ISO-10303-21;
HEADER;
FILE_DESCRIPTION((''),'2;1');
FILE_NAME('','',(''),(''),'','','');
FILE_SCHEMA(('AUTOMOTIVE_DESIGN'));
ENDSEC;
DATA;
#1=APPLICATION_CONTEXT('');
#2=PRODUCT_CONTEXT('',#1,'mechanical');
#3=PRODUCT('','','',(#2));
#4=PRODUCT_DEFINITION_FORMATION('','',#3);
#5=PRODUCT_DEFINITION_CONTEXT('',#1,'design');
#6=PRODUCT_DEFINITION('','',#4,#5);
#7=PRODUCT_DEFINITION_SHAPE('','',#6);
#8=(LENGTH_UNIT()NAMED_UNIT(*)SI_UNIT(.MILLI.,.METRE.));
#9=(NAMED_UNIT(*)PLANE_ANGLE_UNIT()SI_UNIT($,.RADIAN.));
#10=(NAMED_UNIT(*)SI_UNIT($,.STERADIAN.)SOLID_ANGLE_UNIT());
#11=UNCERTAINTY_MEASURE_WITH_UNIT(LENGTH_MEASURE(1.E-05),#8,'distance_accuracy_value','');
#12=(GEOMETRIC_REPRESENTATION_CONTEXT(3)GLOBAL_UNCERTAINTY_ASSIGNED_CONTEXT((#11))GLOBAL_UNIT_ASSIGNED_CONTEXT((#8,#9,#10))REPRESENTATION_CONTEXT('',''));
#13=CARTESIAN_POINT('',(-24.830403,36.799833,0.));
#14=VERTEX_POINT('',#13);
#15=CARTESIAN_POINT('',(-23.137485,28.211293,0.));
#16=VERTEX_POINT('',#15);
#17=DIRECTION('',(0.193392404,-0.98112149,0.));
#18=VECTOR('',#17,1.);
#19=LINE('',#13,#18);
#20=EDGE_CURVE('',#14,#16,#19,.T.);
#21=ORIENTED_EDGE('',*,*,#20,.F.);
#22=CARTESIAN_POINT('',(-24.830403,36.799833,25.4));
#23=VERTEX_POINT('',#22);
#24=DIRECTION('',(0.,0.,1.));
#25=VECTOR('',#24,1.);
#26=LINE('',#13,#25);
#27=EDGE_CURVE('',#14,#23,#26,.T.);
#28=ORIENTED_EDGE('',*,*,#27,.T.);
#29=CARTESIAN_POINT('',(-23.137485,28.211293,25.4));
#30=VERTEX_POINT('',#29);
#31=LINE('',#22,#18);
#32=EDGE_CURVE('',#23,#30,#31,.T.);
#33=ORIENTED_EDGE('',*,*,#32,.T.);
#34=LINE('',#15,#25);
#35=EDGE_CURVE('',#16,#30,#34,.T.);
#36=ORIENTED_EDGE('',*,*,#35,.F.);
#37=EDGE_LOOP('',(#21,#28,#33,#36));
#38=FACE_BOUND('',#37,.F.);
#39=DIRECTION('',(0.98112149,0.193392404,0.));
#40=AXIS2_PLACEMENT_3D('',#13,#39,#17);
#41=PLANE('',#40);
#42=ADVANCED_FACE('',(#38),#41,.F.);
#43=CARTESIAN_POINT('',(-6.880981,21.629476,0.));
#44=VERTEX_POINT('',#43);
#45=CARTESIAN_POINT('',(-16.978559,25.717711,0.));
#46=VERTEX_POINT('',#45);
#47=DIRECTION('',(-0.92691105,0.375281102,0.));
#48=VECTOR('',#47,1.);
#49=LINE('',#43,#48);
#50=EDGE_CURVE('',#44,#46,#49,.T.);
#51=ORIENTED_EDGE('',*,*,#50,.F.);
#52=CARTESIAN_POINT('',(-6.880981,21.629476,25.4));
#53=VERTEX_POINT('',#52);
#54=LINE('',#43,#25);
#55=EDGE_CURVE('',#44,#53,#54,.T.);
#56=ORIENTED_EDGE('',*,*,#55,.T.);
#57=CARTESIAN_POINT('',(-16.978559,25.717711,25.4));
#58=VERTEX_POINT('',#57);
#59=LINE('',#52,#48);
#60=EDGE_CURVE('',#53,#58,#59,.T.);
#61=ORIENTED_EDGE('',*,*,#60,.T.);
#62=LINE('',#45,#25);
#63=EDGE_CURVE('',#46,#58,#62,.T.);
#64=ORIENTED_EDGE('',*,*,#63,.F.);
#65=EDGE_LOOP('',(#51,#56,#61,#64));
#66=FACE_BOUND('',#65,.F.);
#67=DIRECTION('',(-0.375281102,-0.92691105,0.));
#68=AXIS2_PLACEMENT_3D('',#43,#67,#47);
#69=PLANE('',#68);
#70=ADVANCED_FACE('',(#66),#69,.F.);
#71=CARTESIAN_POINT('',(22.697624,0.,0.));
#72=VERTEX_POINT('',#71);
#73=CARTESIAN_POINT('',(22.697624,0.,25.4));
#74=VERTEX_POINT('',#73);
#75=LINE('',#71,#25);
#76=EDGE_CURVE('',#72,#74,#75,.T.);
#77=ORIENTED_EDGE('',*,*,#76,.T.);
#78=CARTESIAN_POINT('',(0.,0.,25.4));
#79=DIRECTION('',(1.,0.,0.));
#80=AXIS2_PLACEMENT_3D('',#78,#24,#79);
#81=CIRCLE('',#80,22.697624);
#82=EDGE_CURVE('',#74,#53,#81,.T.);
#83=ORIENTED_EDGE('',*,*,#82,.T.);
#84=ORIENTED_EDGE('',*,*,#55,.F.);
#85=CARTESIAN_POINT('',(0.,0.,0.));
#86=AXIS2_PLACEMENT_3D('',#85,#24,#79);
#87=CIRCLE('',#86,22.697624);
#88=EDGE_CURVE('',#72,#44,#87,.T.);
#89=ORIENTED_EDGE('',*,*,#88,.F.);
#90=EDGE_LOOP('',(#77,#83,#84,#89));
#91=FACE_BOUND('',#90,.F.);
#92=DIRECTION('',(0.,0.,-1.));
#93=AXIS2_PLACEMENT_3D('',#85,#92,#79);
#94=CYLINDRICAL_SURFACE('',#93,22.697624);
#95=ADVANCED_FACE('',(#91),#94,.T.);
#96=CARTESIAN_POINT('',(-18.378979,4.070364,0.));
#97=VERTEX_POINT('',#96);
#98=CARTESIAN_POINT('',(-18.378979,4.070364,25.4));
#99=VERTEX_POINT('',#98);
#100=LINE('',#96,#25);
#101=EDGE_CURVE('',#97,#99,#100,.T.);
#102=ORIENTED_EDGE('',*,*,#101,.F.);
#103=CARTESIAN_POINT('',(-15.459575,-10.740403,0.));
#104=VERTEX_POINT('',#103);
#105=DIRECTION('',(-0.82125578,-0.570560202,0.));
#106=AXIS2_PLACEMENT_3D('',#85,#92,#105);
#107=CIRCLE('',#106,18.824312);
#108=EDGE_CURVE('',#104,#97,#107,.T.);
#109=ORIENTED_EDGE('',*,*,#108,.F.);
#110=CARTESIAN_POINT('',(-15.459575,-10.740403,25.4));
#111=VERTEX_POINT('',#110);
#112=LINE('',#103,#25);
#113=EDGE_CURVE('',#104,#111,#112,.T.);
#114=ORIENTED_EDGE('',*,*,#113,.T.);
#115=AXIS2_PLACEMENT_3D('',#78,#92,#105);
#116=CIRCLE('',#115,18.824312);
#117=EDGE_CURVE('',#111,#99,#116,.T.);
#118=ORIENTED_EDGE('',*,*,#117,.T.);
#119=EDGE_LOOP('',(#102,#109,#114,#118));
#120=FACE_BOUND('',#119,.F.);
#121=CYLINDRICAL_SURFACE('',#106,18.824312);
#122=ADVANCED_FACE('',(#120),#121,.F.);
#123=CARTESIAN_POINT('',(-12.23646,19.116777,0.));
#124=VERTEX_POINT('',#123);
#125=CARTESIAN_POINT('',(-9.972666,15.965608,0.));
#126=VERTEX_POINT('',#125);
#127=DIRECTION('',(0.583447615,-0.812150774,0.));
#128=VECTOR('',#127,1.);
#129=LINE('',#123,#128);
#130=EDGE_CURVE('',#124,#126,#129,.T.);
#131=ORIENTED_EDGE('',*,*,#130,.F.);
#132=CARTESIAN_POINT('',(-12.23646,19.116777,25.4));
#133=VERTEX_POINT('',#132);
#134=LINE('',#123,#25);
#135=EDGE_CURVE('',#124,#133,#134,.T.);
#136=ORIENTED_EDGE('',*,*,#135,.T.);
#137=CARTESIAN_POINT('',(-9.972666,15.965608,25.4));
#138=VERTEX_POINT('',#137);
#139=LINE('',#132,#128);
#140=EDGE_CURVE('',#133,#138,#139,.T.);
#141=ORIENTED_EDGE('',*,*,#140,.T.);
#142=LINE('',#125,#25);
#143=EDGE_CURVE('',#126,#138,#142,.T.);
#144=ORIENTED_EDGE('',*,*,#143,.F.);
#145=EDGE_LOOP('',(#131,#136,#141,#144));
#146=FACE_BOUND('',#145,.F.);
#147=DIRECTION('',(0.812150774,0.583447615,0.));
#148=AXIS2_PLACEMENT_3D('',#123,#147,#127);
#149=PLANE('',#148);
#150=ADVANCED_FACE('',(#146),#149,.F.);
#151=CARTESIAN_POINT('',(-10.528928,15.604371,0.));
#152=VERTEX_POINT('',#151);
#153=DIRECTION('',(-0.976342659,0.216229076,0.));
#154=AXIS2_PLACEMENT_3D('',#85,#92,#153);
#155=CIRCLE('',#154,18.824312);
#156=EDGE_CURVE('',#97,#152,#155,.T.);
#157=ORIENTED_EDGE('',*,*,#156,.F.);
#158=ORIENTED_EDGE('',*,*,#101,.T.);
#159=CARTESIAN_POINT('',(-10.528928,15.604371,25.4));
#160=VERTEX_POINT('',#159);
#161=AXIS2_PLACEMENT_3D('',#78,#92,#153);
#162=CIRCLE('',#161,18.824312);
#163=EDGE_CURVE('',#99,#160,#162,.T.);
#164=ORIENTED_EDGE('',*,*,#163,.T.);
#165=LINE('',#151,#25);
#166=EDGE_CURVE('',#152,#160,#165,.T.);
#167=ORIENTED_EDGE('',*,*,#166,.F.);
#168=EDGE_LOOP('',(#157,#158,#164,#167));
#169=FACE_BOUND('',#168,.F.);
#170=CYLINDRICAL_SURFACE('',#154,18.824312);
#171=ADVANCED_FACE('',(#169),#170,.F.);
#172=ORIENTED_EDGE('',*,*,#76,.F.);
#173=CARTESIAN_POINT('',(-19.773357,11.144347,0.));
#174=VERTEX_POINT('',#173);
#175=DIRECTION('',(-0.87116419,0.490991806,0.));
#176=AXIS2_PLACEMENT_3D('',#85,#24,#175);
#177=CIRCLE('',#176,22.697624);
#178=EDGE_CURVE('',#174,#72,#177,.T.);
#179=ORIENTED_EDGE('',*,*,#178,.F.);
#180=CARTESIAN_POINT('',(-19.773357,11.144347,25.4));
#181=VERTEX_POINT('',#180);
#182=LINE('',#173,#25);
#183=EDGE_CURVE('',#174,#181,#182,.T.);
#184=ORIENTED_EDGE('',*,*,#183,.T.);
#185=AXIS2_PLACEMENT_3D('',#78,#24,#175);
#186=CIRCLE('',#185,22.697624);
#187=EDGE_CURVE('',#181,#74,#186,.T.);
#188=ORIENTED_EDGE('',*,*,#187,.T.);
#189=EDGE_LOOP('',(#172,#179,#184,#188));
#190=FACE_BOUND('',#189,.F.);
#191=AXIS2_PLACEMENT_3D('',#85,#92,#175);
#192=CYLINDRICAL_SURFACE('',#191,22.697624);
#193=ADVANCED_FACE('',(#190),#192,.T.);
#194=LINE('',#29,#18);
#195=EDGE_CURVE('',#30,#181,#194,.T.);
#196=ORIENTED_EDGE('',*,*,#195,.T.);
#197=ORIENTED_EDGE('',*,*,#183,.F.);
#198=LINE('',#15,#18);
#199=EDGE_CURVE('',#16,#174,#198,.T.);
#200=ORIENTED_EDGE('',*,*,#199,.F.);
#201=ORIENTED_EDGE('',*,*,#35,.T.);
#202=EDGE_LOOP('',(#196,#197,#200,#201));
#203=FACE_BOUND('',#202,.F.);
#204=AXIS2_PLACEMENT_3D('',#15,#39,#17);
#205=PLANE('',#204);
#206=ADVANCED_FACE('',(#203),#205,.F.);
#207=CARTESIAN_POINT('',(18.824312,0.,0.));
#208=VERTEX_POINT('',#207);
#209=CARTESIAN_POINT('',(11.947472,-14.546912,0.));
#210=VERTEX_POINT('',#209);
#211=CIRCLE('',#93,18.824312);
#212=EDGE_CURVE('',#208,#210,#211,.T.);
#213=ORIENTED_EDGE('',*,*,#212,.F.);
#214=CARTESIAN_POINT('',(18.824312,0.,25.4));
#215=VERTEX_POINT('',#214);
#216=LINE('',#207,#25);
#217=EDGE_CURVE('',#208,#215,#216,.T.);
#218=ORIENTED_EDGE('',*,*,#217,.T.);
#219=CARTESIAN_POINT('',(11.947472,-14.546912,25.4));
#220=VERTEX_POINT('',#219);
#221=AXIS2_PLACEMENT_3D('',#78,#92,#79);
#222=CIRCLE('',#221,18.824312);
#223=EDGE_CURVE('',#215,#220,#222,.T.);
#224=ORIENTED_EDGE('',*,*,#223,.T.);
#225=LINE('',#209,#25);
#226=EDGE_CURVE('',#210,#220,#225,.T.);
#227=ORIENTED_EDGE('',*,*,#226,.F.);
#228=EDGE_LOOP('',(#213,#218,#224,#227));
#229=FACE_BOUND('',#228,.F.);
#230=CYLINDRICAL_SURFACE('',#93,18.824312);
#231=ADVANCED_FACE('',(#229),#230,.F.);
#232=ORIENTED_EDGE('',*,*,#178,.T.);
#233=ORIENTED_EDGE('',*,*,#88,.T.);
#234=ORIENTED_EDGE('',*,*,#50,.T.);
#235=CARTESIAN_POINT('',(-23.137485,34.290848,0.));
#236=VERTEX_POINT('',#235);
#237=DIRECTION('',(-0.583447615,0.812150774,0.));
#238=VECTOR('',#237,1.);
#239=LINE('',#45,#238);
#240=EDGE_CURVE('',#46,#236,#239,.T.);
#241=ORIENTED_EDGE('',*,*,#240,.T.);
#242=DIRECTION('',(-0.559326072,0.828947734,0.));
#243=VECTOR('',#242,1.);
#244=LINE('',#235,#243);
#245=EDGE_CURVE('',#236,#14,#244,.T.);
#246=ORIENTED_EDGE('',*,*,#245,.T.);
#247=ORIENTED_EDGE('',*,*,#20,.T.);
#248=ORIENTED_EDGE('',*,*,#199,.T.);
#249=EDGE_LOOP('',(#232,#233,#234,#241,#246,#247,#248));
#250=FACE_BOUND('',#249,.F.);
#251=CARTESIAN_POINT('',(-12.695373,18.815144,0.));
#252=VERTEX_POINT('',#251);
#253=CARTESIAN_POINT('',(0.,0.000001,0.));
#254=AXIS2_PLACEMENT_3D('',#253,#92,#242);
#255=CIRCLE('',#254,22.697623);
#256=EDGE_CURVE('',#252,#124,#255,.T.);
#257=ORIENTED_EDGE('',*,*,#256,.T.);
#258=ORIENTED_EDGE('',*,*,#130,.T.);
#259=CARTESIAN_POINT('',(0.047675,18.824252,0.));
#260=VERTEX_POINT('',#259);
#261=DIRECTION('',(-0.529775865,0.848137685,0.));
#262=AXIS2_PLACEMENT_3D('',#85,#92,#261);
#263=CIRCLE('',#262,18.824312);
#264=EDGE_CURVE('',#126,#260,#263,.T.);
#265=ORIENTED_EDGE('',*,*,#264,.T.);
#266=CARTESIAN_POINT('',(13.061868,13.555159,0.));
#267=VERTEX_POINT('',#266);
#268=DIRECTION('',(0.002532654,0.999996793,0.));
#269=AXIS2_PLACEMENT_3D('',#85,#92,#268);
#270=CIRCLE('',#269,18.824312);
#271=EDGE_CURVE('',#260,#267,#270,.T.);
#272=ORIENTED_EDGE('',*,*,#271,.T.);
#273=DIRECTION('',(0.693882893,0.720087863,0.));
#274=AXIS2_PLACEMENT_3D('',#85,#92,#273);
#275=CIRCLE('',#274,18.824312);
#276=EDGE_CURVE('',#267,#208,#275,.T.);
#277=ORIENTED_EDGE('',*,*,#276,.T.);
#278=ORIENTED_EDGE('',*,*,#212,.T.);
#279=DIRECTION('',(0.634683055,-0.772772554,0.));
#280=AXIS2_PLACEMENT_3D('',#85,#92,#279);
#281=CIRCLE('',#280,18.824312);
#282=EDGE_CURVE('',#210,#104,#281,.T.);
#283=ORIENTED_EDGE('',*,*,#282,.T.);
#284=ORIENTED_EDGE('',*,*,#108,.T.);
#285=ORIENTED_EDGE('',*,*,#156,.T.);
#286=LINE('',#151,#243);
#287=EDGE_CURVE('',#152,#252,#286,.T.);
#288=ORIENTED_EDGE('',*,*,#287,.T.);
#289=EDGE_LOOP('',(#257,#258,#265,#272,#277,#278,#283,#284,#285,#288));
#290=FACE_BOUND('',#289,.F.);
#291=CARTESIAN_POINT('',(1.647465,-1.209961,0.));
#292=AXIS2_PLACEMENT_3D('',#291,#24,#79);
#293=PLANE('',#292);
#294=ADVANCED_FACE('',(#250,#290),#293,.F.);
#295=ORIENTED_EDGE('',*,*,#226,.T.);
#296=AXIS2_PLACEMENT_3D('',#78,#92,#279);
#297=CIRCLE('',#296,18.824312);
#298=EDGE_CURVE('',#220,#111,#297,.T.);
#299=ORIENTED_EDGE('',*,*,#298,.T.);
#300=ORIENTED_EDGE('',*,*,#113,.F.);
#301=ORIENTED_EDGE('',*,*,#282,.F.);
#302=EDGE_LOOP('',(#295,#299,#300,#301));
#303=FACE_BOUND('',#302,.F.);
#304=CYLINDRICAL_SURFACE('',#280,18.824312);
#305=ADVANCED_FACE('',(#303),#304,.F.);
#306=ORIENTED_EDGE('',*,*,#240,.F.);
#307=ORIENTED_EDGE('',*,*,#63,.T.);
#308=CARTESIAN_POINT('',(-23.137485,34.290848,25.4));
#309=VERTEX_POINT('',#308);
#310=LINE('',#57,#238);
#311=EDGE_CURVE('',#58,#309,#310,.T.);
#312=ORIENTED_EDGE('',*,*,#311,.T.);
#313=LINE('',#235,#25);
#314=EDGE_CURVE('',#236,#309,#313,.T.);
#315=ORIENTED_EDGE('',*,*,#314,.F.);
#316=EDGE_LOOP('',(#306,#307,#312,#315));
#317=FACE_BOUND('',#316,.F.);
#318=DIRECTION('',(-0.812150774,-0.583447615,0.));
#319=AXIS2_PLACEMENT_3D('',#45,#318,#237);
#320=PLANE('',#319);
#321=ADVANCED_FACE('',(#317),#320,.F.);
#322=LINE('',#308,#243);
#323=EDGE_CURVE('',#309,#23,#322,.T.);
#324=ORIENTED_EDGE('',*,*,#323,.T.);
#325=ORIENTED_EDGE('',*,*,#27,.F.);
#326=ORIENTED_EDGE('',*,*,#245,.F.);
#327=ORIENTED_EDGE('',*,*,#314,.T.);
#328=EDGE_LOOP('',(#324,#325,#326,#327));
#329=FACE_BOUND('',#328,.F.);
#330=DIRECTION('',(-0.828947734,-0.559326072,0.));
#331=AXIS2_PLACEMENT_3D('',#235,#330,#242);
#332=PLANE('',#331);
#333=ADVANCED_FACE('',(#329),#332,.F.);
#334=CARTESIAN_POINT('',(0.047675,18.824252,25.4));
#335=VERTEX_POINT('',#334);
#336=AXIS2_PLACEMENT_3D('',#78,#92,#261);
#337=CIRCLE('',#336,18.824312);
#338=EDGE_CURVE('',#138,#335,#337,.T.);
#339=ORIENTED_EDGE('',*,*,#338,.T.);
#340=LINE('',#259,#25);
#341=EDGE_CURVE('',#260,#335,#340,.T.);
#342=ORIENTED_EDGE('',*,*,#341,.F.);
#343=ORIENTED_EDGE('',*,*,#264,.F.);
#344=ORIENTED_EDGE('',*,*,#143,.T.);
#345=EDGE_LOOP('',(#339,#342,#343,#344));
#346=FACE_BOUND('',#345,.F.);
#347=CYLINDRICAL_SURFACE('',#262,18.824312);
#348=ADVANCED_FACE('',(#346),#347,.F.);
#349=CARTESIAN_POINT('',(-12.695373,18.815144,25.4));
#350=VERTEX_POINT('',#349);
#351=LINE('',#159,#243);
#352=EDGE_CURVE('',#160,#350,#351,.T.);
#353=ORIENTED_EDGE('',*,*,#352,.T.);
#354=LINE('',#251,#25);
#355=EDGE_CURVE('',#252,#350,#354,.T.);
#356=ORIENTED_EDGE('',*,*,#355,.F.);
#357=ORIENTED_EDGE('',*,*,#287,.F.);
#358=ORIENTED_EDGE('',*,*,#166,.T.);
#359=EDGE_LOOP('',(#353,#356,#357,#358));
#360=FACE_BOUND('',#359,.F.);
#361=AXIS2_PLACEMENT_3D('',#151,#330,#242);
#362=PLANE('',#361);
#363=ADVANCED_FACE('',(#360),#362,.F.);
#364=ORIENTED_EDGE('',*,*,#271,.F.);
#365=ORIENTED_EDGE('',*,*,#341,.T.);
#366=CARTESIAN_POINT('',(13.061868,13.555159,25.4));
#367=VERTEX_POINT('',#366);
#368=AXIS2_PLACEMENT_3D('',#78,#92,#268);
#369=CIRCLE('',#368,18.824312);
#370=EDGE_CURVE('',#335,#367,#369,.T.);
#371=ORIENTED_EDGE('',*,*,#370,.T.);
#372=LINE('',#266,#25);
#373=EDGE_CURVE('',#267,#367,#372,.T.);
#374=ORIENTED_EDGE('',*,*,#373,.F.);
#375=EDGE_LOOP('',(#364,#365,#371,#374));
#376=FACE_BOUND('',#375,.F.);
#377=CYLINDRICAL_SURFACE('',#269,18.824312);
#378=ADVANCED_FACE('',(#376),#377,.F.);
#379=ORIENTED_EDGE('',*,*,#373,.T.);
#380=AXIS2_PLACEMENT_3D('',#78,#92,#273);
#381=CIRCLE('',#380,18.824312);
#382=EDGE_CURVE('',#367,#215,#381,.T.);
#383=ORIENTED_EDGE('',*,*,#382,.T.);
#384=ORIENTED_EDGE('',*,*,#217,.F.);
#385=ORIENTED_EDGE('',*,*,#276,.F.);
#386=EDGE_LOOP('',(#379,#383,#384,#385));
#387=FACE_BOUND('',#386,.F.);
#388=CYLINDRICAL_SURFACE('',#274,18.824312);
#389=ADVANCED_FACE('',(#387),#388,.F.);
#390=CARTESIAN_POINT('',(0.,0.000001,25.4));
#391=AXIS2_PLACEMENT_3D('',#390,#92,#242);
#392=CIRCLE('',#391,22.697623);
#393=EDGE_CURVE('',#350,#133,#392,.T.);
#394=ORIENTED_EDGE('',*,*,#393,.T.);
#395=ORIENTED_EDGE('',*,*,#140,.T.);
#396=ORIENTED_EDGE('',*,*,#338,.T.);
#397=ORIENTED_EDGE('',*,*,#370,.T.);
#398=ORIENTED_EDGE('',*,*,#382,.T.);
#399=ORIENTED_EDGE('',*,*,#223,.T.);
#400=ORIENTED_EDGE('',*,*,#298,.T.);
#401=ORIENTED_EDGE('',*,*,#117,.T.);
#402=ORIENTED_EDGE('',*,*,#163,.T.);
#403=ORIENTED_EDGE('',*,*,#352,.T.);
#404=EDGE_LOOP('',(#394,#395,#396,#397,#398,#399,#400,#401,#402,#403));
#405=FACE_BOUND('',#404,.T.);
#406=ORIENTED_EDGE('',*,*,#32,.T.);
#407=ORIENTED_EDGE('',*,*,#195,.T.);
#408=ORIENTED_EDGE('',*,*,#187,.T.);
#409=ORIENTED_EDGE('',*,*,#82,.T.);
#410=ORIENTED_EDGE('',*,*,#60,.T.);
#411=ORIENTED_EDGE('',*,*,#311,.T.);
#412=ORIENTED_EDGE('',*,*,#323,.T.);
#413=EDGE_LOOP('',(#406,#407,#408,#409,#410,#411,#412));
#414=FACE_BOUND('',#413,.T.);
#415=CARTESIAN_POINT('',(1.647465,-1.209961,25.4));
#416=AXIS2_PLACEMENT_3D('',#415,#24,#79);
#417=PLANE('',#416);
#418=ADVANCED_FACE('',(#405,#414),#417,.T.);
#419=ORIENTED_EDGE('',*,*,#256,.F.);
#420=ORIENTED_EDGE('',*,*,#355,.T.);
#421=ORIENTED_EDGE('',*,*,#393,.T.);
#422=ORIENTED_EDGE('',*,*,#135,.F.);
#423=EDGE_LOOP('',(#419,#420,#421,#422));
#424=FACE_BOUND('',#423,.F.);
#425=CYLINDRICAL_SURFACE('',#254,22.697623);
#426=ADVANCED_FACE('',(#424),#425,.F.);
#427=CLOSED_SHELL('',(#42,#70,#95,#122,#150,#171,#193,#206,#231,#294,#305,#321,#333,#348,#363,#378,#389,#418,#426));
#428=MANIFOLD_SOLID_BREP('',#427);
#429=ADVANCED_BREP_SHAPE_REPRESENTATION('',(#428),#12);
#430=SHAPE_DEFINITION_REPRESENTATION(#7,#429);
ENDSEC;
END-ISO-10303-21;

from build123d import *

# Parameters (mm, degrees)
F1_DEPTH = 25.4


with BuildPart() as f1:
    # F0 (on Top) → F1 (new body)
    with BuildSketch(Plane.XY):
        with BuildLine():
            ThreePointArc((13.0618680099, 13.5551585422), (17.3239053997, 7.3645787871), (18.8243119133, 0))
            ThreePointArc((18.8243119133, 0), (17.0184848696, -8.0452403166), (11.9474717876, -14.546911593))
            ThreePointArc((11.9474717876, -14.546911593), (-2.5896126549, -18.6453378974), (-15.4595749617, -10.7404032053))
            ThreePointArc((-15.4595749617, -10.7404032053), (-18.4689369538, -3.6404789255), (-18.3789787384, 4.070363564))
            Line((-18.3789787384, 4.070363564), (-19.7733572668, 11.1443474156))
            ThreePointArc((-19.7733572668, 11.1443474156), (-5.7608119103, -21.9543886969), (22.6976240369, 0))
            ThreePointArc((22.6976240369, 0), (13.3977651709, 18.3216272571), (-6.880980737, 21.6294762077))
            Line((-6.880980737, 21.6294762077), (0.0476754735, 18.8242515405))
            ThreePointArc((0.0476754735, 18.8242515405), (7.0644085274, 17.4484627165), (13.0618680099, 13.5551585422))
        make_face()
        with BuildLine():
            ThreePointArc((-9.9726661353, 15.9656083243), (-5.1642347128, 18.1020827211), (0.0476754735, 18.8242515405))
            Line((0.0476754735, 18.8242515405), (-6.880980737, 21.6294762077))
            ThreePointArc((-6.880980737, 21.6294762077), (-9.6409310081, 20.5483475301), (-12.2364601905, 19.11677742))
            Line((-12.2364601905, 19.11677742), (-9.9726661353, 15.9656083243))
        make_face()
        with BuildLine():
            ThreePointArc((-12.2364601905, 19.11677742), (-9.6409310081, 20.5483475301), (-6.880980737, 21.6294762077))
            Line((-6.880980737, 21.6294762077), (-16.9785588705, 25.7177112706))
            Line((-16.9785588705, 25.7177112706), (-12.2364601905, 19.11677742))
        make_face()
        with BuildLine():
            Line((-19.7733572668, 11.1443474156), (-18.3789787384, 4.070363564))
            ThreePointArc((-18.3789787384, 4.070363564), (-15.5619762395, 10.5914878337), (-10.5289284374, 15.6043707009))
            Line((-10.5289284374, 15.6043707009), (-12.6953728924, 18.815144008))
            ThreePointArc((-12.6953728924, 18.815144008), (-16.6812736213, 15.3921164007), (-19.7733572668, 11.1443474156))
        make_face()
        with BuildLine():
            ThreePointArc((-12.6953728924, 18.815144008), (-12.4668288228, 18.967348682), (-12.2364601905, 19.11677742))
            Line((-12.2364601905, 19.11677742), (-16.9785588705, 25.7177112706))
            Line((-16.9785588705, 25.7177112706), (-17.4935011837, 25.9261974237))
            Line((-17.4935011837, 25.9261974237), (-12.6953728924, 18.815144008))
        make_face()
        Polygon((-17.4935011837, 25.9261974237), (-16.9785588705, 25.7177112706), (-23.1374846011, 34.2908482046), align=None)
        with BuildLine():
            Line((-23.1374846011, 28.2112929779), (-19.7733572668, 11.1443474156))
            ThreePointArc((-19.7733572668, 11.1443474156), (-16.6812736213, 15.3921164007), (-12.6953728924, 18.815144008))
            Line((-12.6953728924, 18.815144008), (-17.4935011837, 25.9261974237))
            Line((-17.4935011837, 25.9261974237), (-23.1374846011, 28.2112929779))
        make_face()
        Polygon((-17.4935011837, 25.9261974237), (-23.1374846011, 34.2908482046), (-24.8304028064, 36.7998331785), (-23.1374846011, 28.2112929779), align=None)
    extrude(amount=F1_DEPTH)


solid = f1.part
